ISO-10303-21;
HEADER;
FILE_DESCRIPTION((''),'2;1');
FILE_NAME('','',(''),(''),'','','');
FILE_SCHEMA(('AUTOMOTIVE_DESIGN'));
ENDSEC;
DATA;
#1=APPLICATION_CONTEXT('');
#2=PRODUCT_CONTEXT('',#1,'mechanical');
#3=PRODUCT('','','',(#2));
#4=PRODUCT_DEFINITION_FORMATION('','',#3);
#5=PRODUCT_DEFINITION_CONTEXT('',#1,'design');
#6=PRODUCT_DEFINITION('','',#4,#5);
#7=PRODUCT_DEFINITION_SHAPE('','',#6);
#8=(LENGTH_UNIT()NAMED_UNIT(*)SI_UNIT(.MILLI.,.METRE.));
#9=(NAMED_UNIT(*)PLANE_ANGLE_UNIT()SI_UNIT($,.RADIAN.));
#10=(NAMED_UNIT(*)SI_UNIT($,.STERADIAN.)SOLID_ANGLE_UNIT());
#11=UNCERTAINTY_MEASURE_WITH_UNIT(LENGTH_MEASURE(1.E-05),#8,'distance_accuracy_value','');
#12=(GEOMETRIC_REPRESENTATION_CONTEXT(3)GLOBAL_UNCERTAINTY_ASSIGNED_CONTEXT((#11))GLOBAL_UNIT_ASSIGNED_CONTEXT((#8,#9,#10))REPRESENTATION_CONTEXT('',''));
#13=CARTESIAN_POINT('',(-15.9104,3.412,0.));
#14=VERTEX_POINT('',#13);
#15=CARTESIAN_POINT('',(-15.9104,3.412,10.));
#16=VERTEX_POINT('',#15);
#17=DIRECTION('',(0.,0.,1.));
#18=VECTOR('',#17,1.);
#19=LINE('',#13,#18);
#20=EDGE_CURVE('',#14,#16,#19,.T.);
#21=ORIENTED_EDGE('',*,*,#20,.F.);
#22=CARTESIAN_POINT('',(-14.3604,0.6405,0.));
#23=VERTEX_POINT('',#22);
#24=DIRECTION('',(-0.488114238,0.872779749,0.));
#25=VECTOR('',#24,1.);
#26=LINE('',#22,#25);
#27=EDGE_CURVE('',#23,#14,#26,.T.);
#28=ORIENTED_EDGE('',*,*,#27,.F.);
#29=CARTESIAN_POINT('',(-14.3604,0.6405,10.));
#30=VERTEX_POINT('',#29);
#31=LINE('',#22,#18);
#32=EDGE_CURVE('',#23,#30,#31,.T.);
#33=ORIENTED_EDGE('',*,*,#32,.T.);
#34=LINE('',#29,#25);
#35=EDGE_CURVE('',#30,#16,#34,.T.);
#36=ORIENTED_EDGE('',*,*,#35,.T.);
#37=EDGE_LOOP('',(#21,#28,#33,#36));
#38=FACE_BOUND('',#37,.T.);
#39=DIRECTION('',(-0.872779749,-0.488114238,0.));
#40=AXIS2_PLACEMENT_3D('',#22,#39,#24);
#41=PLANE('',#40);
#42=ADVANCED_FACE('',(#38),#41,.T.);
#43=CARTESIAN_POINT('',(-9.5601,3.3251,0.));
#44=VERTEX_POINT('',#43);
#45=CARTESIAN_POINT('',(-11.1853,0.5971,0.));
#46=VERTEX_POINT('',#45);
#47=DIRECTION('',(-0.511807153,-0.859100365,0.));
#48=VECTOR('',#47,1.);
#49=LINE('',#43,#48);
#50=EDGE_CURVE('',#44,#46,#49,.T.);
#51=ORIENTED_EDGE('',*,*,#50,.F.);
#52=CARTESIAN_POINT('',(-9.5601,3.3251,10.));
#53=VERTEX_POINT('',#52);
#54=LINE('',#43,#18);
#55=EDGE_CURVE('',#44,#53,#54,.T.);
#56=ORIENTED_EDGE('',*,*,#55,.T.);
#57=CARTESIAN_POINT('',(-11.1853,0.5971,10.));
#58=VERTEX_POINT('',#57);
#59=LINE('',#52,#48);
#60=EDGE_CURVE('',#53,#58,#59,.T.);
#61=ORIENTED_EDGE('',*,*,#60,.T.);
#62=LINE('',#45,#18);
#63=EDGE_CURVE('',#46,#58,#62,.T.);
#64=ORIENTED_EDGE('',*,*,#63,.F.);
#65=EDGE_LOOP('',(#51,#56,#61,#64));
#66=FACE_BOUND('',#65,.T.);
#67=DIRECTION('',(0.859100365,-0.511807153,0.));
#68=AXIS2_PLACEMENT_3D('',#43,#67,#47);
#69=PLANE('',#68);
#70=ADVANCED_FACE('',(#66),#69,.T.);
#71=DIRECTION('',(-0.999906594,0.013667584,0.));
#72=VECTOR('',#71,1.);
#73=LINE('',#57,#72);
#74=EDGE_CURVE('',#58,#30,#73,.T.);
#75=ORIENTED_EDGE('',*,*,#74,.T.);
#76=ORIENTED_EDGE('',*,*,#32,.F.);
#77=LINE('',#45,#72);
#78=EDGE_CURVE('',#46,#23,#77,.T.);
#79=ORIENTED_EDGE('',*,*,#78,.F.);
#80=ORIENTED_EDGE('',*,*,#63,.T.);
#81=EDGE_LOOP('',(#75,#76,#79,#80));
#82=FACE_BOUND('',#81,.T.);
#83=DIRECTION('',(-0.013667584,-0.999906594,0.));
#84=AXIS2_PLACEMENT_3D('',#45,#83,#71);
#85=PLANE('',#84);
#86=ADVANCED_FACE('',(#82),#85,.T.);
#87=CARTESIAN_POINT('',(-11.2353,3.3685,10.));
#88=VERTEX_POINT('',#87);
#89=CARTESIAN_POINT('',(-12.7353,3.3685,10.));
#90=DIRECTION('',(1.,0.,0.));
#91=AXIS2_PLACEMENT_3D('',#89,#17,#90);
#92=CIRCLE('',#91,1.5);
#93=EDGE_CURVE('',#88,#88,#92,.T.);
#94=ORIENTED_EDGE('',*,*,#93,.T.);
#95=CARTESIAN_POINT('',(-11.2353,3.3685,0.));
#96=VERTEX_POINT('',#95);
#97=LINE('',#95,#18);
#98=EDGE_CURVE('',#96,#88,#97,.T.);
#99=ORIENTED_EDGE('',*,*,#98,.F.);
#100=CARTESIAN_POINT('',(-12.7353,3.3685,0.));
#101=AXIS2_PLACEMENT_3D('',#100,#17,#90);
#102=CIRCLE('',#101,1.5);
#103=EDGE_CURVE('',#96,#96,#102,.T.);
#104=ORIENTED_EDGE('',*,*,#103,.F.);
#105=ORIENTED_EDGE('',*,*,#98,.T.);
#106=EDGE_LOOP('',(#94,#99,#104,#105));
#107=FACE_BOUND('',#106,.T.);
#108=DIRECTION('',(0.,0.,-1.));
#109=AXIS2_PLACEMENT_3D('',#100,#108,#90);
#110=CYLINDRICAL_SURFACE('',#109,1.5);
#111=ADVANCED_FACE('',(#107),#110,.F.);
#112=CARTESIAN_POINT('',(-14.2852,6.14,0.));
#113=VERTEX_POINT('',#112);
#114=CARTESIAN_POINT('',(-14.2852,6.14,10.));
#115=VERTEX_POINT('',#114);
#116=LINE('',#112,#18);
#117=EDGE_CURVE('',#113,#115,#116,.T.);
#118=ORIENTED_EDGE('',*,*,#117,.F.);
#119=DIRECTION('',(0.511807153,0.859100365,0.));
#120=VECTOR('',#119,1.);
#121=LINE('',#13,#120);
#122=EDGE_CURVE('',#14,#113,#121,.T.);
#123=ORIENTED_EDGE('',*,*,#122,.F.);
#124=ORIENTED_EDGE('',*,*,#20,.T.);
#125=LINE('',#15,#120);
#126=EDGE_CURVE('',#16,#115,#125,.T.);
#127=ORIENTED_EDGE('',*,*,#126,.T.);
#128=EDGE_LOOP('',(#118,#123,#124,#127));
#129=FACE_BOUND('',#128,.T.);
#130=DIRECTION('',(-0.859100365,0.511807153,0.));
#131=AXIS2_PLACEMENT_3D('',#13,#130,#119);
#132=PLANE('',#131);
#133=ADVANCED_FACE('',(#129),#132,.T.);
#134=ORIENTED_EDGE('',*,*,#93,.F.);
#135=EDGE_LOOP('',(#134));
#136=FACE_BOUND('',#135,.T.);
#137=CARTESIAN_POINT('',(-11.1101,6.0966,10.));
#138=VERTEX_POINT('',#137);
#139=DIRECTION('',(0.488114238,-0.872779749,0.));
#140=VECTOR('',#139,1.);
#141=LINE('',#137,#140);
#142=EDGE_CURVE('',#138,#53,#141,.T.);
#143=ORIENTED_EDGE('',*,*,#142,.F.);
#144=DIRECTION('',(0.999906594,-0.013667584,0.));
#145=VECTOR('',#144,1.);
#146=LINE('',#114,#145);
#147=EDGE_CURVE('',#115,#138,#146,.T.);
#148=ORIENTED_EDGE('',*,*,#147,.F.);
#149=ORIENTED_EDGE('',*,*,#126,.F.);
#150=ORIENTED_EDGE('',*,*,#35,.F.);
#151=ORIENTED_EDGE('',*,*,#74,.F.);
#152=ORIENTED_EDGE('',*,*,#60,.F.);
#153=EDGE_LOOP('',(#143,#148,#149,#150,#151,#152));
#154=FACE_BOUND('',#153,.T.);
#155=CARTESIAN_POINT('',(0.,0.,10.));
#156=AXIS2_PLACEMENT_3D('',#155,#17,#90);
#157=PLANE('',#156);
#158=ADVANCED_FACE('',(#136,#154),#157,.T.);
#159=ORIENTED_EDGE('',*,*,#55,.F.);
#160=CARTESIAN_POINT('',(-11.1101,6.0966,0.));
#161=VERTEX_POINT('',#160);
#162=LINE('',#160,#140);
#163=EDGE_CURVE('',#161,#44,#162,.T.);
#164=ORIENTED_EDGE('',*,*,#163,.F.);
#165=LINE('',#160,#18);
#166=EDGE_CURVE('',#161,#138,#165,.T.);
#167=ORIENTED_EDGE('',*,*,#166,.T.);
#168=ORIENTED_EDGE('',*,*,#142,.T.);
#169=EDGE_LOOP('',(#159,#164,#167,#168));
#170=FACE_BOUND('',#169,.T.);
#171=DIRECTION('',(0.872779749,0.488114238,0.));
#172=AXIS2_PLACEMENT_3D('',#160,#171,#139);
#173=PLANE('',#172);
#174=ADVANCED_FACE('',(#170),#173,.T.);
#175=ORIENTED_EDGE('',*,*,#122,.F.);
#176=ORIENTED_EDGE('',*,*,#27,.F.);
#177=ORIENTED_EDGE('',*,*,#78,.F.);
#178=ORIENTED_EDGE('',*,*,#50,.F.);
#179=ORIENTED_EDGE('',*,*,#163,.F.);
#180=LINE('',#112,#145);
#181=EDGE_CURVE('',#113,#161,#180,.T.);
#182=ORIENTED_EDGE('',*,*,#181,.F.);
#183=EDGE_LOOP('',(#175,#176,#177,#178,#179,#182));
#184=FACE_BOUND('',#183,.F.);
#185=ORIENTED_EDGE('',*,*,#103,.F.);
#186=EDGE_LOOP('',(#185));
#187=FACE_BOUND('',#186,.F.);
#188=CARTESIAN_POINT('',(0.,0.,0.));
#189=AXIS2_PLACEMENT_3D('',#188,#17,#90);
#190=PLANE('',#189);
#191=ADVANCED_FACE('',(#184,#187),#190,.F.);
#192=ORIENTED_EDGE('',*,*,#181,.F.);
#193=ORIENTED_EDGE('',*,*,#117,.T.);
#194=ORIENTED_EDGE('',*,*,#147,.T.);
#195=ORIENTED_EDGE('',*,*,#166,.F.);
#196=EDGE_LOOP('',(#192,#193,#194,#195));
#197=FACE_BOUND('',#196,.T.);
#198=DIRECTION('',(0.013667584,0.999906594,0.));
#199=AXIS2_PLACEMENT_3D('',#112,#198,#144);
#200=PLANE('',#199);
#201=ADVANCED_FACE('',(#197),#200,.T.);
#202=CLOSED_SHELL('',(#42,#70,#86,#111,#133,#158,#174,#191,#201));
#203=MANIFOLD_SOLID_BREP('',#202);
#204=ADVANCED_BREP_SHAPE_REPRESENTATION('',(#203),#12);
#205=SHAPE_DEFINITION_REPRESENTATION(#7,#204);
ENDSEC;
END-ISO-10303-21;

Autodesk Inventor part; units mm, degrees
ref_plane "YZ Plane" through (0, 0, 0) normal (1, 0, 0) x (0, 1, 0)
ref_plane "XZ Plane" through (0, 0, 0) normal (0, 1, 0) x (-1, 0, 0)
ref_plane "XY Plane" through (0, 0, 0) normal (0, 0, 1) x (1, 0, 0)
sketch "Sketch1" plane through (0, 0, 0) normal (0, 0, 1) x (1, 0, 0)
  line L0 (-11.1101, 6.0966) -> (-9.5601, 3.3251)
  line L1 (-9.5601, 3.3251) -> (-11.1853, 0.5971)
  line L2 (-11.1853, 0.5971) -> (-14.3604, 0.6405)
  line L3 (-14.3604, 0.6405) -> (-15.9104, 3.412)
  line L4 (-15.9104, 3.412) -> (-14.2852, 6.14)
  line L5 (-14.2852, 6.14) -> (-11.1101, 6.0966)
  circle A0 centre (-12.7353, 3.3685) radius 1.5
  dimension "d0" = 5.5
  dimension "d1" = 3
extrude "Extrusion1" add sketch "Sketch1" along normal blind 10
thread "Thread2" size "M3x0.5" class "6H" standard "ANSI Metric M Profile" length 5
thread "Thread3" size "M3x0.5" class "6H" standard "ANSI Metric M Profile" length 5
properties part number "Espaciador para Electrónica 10mm" material "Acetal Resin, White"
